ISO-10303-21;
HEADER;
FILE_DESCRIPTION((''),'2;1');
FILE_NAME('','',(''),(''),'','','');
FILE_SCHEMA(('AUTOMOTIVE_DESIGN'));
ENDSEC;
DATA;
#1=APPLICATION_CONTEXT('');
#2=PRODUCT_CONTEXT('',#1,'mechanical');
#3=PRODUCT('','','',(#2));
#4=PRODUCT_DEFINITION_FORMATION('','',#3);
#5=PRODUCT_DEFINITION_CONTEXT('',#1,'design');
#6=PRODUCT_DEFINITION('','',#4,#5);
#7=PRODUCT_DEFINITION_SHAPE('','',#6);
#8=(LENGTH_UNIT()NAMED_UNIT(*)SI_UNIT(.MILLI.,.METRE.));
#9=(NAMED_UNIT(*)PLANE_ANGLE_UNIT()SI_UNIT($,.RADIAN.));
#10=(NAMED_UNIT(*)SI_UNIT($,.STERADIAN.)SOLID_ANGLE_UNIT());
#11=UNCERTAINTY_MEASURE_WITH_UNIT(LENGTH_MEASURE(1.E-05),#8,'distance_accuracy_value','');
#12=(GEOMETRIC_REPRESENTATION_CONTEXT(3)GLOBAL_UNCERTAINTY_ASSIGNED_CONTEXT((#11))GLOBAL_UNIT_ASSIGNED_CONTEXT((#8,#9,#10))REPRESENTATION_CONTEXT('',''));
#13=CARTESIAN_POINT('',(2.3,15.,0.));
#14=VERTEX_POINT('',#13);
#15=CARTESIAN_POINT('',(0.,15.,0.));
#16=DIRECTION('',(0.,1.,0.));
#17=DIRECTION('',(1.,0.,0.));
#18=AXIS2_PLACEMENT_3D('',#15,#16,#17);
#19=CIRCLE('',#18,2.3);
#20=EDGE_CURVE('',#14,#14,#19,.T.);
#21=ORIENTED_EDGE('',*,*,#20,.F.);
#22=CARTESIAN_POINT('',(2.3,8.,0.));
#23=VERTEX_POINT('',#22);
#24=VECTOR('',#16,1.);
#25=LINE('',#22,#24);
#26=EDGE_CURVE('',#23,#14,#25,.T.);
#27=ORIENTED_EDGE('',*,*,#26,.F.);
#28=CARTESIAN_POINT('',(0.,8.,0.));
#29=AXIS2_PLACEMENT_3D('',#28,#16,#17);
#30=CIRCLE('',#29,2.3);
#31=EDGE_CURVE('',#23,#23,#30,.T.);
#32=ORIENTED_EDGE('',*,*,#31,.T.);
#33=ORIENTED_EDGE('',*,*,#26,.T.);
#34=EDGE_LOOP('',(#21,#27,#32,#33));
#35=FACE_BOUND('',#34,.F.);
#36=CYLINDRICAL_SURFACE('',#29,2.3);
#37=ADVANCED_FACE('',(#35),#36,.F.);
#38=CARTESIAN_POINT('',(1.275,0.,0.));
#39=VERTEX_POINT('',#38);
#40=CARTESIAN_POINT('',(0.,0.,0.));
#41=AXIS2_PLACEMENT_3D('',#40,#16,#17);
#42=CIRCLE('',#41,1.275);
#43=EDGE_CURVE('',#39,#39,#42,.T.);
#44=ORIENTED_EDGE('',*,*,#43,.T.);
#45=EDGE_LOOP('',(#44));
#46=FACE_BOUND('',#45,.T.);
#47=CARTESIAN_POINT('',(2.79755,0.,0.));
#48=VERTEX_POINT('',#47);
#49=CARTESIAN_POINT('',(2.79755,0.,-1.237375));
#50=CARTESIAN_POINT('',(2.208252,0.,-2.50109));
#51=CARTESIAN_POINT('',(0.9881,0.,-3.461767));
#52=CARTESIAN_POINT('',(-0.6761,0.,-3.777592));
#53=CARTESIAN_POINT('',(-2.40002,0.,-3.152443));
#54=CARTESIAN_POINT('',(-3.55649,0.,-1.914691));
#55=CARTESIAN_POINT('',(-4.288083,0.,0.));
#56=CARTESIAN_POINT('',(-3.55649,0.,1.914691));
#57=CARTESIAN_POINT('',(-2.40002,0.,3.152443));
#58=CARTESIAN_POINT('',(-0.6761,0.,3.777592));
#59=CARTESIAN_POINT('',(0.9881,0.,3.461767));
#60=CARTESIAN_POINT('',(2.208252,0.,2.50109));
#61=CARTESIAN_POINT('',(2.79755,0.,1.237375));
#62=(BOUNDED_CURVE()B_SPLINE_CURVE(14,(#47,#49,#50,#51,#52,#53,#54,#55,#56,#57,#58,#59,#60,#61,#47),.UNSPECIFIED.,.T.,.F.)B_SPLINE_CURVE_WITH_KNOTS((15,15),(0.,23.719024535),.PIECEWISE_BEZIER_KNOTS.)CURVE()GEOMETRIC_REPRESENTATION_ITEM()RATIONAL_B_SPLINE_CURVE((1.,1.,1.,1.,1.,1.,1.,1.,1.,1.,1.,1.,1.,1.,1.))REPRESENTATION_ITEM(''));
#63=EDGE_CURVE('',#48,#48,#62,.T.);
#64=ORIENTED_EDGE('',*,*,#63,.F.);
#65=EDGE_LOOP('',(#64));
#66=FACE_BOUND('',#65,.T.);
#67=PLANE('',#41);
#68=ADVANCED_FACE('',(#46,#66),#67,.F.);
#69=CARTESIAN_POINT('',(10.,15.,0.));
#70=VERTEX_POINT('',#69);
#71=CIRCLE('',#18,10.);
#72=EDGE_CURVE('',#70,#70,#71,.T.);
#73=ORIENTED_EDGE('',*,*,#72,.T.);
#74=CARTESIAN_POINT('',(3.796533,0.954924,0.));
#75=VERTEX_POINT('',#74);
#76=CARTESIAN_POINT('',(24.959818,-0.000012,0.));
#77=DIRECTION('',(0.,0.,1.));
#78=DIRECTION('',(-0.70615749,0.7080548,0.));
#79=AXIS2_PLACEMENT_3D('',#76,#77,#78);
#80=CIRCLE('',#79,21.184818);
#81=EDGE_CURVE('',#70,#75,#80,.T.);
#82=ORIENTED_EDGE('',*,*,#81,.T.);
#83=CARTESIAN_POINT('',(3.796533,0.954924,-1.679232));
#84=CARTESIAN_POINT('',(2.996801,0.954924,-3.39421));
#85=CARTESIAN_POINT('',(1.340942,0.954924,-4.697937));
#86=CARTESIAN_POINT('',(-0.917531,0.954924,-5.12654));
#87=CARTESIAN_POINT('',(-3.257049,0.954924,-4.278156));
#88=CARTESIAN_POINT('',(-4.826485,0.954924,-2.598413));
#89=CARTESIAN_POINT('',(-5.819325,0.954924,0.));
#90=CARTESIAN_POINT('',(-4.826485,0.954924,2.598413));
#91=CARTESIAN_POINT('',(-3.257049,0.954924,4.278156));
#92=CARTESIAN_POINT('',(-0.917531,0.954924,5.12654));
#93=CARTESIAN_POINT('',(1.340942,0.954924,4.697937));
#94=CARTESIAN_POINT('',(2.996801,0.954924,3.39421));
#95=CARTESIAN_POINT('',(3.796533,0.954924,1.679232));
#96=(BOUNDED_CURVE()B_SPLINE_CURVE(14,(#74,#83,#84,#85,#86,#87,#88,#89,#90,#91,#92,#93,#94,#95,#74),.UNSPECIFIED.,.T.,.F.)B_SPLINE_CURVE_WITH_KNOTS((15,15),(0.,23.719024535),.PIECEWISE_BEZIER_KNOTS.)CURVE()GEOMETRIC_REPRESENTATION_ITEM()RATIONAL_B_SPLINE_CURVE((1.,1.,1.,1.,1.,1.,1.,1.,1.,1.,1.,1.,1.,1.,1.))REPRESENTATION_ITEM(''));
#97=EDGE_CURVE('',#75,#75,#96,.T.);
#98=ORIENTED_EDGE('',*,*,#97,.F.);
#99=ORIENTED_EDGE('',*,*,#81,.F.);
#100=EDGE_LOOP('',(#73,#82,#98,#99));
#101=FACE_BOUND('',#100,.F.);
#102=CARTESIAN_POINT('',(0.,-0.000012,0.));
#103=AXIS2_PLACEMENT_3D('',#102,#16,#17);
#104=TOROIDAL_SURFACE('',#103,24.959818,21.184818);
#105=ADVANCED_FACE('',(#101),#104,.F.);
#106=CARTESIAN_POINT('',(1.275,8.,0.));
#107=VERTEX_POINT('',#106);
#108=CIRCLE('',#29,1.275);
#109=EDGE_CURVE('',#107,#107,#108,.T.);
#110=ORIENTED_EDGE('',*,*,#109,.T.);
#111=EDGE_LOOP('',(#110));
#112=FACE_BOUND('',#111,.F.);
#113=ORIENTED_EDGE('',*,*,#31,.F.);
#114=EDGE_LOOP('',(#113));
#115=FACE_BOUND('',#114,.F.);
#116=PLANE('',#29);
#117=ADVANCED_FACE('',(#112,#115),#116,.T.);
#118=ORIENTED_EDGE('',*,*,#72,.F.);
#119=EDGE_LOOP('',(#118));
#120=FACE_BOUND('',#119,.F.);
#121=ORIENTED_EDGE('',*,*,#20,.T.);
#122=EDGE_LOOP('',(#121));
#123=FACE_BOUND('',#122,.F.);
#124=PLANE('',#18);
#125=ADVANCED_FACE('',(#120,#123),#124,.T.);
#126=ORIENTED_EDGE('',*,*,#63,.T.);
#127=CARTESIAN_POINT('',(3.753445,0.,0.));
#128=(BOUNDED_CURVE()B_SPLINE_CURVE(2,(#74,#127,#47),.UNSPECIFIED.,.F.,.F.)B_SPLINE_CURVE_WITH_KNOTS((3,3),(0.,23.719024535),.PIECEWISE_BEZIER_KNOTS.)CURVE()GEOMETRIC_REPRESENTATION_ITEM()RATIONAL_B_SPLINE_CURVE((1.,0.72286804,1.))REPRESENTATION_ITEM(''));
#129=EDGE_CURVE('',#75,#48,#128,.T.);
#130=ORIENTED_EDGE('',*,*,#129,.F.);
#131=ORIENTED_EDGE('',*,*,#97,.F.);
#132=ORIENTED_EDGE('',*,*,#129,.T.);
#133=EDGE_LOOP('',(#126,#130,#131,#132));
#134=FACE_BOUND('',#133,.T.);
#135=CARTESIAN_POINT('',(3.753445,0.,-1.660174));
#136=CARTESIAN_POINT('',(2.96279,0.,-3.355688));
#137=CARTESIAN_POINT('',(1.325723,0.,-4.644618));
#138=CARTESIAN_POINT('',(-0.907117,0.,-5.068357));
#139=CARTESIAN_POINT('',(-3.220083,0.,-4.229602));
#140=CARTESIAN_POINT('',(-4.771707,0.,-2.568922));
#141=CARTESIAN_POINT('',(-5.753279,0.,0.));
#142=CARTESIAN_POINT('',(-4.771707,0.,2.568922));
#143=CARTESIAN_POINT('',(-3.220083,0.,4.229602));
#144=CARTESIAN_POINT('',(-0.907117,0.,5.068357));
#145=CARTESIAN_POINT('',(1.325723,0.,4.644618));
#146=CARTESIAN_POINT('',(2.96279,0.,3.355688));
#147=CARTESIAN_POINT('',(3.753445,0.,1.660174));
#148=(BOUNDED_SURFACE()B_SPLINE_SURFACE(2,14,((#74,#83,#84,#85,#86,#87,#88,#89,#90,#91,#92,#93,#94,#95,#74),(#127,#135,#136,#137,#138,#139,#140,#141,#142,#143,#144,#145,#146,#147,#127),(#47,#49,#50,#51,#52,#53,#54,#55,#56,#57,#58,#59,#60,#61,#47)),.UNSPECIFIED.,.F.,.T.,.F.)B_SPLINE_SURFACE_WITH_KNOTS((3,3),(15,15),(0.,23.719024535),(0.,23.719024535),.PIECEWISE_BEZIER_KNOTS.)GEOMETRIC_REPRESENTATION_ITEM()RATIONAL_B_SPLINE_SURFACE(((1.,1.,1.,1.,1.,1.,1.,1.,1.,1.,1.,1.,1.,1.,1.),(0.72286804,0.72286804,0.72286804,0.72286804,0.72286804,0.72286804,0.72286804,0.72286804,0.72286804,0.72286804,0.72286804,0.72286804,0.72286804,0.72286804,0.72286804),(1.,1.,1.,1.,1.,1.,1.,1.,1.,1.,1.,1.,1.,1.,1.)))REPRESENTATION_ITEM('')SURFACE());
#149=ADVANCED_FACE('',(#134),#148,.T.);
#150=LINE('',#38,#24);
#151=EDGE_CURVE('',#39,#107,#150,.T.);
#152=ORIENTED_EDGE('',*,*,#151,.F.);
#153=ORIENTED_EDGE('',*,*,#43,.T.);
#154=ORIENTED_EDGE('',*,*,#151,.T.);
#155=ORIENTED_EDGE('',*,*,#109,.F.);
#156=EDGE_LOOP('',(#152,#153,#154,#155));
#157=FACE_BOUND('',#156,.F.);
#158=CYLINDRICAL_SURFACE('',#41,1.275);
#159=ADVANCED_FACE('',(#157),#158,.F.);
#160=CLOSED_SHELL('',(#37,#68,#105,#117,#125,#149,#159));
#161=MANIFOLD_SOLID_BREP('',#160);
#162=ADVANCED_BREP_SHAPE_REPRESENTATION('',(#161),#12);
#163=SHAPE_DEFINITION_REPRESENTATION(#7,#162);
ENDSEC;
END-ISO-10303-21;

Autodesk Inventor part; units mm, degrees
ref_plane "YZ Plane" through (0, 0, 0) normal (1, 0, 0) x (0, 1, 0)
ref_plane "XZ Plane" through (0, 0, 0) normal (0, 1, 0) x (-1, 0, 0)
ref_plane "XY Plane" through (0, 0, 0) normal (0, 0, 1) x (1, 0, 0)
sketch "Sketch1" plane through (0, 0, 0) normal (0, 0, 1) x (1, 0, 0)
  line L0 (0, 0) -> (0, 7.8365) construction
  line L1 (1.275, 0) -> (3.775, 0)
  line L2 (1.275, 0) -> (1.275, 8)
  line L3 (1.275, 8) -> (2.3, 8)
  line L4 (2.3, 8) -> (2.3, 15)
  line L5 (2.3, 15) -> (10, 15)
  arc A0 (10, 15) -> (3.775, 0) centre (24.9598, 0) ccw
  dimension "d0" = 1.275
  dimension "d1" = 15
  dimension "d2" = 8
  dimension "d3" = 2.3
  dimension "d4" = 10
  dimension "d5" = 2.5
revolve "Revolution1" add sketch "Sketch1" angle 360 about axis through (0, 0, 0) along (0, 1, 0)
fillet "Fillet1" radius 1 1 edges at (-3.775, 0, 0)
sketch "Sketch2" plane through (0, 15, 0) normal (0, 1, 0) x (1, 0, 0)
  circle A0 centre (0, 0) radius 2.3 projected
  circle A1 centre (0, 0) radius 10 projected
properties part number "knob_bottom"
